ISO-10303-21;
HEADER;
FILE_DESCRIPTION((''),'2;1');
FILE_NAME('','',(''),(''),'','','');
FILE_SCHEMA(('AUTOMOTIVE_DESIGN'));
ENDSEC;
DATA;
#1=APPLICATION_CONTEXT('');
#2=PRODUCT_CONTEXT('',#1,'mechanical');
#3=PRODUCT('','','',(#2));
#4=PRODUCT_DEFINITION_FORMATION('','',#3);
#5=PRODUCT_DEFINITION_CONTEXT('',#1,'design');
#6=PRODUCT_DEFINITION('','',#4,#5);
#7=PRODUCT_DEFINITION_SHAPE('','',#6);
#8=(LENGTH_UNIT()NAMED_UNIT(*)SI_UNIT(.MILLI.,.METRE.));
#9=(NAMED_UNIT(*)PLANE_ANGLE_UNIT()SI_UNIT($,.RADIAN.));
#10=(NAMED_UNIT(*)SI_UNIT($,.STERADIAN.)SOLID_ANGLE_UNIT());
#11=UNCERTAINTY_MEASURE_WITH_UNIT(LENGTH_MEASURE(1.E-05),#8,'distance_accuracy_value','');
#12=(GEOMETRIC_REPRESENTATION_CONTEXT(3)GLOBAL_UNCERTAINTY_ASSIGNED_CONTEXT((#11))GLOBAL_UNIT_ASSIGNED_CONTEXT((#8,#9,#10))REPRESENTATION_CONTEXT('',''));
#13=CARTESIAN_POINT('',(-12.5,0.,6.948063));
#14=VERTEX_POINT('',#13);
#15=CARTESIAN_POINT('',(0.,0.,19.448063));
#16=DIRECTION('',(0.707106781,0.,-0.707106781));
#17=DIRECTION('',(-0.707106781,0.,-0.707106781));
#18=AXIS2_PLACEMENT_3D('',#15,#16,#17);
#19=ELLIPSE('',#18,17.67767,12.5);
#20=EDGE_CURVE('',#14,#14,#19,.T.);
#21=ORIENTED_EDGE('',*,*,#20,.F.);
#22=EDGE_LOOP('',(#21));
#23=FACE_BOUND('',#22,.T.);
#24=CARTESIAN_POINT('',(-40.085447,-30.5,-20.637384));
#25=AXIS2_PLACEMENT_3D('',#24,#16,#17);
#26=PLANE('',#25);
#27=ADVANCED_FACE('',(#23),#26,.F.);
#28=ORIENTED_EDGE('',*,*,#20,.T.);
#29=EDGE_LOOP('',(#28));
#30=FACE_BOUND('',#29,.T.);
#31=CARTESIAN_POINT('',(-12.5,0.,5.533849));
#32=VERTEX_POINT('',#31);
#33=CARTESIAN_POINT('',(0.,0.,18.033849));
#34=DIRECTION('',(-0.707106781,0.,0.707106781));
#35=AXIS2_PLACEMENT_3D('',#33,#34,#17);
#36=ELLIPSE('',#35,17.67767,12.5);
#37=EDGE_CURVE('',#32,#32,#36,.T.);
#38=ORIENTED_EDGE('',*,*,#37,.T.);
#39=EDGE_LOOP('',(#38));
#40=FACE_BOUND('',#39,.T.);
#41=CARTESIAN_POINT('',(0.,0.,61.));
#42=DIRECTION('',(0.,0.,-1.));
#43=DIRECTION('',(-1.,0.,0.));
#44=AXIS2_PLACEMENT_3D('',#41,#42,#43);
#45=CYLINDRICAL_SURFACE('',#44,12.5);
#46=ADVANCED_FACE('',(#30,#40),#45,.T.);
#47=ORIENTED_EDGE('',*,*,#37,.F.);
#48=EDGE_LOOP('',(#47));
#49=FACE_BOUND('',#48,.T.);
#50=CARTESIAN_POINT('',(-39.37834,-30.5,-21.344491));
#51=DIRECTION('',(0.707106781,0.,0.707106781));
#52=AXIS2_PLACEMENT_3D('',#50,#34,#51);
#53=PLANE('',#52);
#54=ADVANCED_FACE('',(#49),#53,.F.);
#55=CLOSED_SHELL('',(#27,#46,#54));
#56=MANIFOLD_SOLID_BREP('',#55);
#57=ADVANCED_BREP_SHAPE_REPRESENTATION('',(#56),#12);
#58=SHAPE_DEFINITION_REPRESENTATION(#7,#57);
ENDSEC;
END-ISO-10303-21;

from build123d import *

# Parameters (mm, degrees)
SKETCH_1_R          = 12.5
EXTRUDE_1_DEPTH     = 61
CUT_EXTRUDE_1_DEPTH = 30.5


with BuildPart() as part:
    # 草图1 → 凸台-拉伸1 (new body)
    with BuildSketch(Plane.XY):
        Circle(SKETCH_1_R)
    extrude(amount=EXTRUDE_1_DEPTH)

    # 草图2 → 切除-拉伸1 (cut, symmetric)
    with BuildSketch(Plane(origin=(0, 0, 0), x_dir=(1, 0, 0), z_dir=(0, 1, 0))):
        Polygon((-39.378340461, 21.344490989), (32.946331, -50.980180473), (32.946331, 3.705336734), align=None)
        Polygon((-40.085447243, 20.637384208), (32.239224219, -51.687287254), (29.858688562, -63.951978102), (-29.50048748, -63.951978102), align=None)
    extrude(amount=CUT_EXTRUDE_1_DEPTH, both=True, mode=Mode.SUBTRACT)


solid = part.part
